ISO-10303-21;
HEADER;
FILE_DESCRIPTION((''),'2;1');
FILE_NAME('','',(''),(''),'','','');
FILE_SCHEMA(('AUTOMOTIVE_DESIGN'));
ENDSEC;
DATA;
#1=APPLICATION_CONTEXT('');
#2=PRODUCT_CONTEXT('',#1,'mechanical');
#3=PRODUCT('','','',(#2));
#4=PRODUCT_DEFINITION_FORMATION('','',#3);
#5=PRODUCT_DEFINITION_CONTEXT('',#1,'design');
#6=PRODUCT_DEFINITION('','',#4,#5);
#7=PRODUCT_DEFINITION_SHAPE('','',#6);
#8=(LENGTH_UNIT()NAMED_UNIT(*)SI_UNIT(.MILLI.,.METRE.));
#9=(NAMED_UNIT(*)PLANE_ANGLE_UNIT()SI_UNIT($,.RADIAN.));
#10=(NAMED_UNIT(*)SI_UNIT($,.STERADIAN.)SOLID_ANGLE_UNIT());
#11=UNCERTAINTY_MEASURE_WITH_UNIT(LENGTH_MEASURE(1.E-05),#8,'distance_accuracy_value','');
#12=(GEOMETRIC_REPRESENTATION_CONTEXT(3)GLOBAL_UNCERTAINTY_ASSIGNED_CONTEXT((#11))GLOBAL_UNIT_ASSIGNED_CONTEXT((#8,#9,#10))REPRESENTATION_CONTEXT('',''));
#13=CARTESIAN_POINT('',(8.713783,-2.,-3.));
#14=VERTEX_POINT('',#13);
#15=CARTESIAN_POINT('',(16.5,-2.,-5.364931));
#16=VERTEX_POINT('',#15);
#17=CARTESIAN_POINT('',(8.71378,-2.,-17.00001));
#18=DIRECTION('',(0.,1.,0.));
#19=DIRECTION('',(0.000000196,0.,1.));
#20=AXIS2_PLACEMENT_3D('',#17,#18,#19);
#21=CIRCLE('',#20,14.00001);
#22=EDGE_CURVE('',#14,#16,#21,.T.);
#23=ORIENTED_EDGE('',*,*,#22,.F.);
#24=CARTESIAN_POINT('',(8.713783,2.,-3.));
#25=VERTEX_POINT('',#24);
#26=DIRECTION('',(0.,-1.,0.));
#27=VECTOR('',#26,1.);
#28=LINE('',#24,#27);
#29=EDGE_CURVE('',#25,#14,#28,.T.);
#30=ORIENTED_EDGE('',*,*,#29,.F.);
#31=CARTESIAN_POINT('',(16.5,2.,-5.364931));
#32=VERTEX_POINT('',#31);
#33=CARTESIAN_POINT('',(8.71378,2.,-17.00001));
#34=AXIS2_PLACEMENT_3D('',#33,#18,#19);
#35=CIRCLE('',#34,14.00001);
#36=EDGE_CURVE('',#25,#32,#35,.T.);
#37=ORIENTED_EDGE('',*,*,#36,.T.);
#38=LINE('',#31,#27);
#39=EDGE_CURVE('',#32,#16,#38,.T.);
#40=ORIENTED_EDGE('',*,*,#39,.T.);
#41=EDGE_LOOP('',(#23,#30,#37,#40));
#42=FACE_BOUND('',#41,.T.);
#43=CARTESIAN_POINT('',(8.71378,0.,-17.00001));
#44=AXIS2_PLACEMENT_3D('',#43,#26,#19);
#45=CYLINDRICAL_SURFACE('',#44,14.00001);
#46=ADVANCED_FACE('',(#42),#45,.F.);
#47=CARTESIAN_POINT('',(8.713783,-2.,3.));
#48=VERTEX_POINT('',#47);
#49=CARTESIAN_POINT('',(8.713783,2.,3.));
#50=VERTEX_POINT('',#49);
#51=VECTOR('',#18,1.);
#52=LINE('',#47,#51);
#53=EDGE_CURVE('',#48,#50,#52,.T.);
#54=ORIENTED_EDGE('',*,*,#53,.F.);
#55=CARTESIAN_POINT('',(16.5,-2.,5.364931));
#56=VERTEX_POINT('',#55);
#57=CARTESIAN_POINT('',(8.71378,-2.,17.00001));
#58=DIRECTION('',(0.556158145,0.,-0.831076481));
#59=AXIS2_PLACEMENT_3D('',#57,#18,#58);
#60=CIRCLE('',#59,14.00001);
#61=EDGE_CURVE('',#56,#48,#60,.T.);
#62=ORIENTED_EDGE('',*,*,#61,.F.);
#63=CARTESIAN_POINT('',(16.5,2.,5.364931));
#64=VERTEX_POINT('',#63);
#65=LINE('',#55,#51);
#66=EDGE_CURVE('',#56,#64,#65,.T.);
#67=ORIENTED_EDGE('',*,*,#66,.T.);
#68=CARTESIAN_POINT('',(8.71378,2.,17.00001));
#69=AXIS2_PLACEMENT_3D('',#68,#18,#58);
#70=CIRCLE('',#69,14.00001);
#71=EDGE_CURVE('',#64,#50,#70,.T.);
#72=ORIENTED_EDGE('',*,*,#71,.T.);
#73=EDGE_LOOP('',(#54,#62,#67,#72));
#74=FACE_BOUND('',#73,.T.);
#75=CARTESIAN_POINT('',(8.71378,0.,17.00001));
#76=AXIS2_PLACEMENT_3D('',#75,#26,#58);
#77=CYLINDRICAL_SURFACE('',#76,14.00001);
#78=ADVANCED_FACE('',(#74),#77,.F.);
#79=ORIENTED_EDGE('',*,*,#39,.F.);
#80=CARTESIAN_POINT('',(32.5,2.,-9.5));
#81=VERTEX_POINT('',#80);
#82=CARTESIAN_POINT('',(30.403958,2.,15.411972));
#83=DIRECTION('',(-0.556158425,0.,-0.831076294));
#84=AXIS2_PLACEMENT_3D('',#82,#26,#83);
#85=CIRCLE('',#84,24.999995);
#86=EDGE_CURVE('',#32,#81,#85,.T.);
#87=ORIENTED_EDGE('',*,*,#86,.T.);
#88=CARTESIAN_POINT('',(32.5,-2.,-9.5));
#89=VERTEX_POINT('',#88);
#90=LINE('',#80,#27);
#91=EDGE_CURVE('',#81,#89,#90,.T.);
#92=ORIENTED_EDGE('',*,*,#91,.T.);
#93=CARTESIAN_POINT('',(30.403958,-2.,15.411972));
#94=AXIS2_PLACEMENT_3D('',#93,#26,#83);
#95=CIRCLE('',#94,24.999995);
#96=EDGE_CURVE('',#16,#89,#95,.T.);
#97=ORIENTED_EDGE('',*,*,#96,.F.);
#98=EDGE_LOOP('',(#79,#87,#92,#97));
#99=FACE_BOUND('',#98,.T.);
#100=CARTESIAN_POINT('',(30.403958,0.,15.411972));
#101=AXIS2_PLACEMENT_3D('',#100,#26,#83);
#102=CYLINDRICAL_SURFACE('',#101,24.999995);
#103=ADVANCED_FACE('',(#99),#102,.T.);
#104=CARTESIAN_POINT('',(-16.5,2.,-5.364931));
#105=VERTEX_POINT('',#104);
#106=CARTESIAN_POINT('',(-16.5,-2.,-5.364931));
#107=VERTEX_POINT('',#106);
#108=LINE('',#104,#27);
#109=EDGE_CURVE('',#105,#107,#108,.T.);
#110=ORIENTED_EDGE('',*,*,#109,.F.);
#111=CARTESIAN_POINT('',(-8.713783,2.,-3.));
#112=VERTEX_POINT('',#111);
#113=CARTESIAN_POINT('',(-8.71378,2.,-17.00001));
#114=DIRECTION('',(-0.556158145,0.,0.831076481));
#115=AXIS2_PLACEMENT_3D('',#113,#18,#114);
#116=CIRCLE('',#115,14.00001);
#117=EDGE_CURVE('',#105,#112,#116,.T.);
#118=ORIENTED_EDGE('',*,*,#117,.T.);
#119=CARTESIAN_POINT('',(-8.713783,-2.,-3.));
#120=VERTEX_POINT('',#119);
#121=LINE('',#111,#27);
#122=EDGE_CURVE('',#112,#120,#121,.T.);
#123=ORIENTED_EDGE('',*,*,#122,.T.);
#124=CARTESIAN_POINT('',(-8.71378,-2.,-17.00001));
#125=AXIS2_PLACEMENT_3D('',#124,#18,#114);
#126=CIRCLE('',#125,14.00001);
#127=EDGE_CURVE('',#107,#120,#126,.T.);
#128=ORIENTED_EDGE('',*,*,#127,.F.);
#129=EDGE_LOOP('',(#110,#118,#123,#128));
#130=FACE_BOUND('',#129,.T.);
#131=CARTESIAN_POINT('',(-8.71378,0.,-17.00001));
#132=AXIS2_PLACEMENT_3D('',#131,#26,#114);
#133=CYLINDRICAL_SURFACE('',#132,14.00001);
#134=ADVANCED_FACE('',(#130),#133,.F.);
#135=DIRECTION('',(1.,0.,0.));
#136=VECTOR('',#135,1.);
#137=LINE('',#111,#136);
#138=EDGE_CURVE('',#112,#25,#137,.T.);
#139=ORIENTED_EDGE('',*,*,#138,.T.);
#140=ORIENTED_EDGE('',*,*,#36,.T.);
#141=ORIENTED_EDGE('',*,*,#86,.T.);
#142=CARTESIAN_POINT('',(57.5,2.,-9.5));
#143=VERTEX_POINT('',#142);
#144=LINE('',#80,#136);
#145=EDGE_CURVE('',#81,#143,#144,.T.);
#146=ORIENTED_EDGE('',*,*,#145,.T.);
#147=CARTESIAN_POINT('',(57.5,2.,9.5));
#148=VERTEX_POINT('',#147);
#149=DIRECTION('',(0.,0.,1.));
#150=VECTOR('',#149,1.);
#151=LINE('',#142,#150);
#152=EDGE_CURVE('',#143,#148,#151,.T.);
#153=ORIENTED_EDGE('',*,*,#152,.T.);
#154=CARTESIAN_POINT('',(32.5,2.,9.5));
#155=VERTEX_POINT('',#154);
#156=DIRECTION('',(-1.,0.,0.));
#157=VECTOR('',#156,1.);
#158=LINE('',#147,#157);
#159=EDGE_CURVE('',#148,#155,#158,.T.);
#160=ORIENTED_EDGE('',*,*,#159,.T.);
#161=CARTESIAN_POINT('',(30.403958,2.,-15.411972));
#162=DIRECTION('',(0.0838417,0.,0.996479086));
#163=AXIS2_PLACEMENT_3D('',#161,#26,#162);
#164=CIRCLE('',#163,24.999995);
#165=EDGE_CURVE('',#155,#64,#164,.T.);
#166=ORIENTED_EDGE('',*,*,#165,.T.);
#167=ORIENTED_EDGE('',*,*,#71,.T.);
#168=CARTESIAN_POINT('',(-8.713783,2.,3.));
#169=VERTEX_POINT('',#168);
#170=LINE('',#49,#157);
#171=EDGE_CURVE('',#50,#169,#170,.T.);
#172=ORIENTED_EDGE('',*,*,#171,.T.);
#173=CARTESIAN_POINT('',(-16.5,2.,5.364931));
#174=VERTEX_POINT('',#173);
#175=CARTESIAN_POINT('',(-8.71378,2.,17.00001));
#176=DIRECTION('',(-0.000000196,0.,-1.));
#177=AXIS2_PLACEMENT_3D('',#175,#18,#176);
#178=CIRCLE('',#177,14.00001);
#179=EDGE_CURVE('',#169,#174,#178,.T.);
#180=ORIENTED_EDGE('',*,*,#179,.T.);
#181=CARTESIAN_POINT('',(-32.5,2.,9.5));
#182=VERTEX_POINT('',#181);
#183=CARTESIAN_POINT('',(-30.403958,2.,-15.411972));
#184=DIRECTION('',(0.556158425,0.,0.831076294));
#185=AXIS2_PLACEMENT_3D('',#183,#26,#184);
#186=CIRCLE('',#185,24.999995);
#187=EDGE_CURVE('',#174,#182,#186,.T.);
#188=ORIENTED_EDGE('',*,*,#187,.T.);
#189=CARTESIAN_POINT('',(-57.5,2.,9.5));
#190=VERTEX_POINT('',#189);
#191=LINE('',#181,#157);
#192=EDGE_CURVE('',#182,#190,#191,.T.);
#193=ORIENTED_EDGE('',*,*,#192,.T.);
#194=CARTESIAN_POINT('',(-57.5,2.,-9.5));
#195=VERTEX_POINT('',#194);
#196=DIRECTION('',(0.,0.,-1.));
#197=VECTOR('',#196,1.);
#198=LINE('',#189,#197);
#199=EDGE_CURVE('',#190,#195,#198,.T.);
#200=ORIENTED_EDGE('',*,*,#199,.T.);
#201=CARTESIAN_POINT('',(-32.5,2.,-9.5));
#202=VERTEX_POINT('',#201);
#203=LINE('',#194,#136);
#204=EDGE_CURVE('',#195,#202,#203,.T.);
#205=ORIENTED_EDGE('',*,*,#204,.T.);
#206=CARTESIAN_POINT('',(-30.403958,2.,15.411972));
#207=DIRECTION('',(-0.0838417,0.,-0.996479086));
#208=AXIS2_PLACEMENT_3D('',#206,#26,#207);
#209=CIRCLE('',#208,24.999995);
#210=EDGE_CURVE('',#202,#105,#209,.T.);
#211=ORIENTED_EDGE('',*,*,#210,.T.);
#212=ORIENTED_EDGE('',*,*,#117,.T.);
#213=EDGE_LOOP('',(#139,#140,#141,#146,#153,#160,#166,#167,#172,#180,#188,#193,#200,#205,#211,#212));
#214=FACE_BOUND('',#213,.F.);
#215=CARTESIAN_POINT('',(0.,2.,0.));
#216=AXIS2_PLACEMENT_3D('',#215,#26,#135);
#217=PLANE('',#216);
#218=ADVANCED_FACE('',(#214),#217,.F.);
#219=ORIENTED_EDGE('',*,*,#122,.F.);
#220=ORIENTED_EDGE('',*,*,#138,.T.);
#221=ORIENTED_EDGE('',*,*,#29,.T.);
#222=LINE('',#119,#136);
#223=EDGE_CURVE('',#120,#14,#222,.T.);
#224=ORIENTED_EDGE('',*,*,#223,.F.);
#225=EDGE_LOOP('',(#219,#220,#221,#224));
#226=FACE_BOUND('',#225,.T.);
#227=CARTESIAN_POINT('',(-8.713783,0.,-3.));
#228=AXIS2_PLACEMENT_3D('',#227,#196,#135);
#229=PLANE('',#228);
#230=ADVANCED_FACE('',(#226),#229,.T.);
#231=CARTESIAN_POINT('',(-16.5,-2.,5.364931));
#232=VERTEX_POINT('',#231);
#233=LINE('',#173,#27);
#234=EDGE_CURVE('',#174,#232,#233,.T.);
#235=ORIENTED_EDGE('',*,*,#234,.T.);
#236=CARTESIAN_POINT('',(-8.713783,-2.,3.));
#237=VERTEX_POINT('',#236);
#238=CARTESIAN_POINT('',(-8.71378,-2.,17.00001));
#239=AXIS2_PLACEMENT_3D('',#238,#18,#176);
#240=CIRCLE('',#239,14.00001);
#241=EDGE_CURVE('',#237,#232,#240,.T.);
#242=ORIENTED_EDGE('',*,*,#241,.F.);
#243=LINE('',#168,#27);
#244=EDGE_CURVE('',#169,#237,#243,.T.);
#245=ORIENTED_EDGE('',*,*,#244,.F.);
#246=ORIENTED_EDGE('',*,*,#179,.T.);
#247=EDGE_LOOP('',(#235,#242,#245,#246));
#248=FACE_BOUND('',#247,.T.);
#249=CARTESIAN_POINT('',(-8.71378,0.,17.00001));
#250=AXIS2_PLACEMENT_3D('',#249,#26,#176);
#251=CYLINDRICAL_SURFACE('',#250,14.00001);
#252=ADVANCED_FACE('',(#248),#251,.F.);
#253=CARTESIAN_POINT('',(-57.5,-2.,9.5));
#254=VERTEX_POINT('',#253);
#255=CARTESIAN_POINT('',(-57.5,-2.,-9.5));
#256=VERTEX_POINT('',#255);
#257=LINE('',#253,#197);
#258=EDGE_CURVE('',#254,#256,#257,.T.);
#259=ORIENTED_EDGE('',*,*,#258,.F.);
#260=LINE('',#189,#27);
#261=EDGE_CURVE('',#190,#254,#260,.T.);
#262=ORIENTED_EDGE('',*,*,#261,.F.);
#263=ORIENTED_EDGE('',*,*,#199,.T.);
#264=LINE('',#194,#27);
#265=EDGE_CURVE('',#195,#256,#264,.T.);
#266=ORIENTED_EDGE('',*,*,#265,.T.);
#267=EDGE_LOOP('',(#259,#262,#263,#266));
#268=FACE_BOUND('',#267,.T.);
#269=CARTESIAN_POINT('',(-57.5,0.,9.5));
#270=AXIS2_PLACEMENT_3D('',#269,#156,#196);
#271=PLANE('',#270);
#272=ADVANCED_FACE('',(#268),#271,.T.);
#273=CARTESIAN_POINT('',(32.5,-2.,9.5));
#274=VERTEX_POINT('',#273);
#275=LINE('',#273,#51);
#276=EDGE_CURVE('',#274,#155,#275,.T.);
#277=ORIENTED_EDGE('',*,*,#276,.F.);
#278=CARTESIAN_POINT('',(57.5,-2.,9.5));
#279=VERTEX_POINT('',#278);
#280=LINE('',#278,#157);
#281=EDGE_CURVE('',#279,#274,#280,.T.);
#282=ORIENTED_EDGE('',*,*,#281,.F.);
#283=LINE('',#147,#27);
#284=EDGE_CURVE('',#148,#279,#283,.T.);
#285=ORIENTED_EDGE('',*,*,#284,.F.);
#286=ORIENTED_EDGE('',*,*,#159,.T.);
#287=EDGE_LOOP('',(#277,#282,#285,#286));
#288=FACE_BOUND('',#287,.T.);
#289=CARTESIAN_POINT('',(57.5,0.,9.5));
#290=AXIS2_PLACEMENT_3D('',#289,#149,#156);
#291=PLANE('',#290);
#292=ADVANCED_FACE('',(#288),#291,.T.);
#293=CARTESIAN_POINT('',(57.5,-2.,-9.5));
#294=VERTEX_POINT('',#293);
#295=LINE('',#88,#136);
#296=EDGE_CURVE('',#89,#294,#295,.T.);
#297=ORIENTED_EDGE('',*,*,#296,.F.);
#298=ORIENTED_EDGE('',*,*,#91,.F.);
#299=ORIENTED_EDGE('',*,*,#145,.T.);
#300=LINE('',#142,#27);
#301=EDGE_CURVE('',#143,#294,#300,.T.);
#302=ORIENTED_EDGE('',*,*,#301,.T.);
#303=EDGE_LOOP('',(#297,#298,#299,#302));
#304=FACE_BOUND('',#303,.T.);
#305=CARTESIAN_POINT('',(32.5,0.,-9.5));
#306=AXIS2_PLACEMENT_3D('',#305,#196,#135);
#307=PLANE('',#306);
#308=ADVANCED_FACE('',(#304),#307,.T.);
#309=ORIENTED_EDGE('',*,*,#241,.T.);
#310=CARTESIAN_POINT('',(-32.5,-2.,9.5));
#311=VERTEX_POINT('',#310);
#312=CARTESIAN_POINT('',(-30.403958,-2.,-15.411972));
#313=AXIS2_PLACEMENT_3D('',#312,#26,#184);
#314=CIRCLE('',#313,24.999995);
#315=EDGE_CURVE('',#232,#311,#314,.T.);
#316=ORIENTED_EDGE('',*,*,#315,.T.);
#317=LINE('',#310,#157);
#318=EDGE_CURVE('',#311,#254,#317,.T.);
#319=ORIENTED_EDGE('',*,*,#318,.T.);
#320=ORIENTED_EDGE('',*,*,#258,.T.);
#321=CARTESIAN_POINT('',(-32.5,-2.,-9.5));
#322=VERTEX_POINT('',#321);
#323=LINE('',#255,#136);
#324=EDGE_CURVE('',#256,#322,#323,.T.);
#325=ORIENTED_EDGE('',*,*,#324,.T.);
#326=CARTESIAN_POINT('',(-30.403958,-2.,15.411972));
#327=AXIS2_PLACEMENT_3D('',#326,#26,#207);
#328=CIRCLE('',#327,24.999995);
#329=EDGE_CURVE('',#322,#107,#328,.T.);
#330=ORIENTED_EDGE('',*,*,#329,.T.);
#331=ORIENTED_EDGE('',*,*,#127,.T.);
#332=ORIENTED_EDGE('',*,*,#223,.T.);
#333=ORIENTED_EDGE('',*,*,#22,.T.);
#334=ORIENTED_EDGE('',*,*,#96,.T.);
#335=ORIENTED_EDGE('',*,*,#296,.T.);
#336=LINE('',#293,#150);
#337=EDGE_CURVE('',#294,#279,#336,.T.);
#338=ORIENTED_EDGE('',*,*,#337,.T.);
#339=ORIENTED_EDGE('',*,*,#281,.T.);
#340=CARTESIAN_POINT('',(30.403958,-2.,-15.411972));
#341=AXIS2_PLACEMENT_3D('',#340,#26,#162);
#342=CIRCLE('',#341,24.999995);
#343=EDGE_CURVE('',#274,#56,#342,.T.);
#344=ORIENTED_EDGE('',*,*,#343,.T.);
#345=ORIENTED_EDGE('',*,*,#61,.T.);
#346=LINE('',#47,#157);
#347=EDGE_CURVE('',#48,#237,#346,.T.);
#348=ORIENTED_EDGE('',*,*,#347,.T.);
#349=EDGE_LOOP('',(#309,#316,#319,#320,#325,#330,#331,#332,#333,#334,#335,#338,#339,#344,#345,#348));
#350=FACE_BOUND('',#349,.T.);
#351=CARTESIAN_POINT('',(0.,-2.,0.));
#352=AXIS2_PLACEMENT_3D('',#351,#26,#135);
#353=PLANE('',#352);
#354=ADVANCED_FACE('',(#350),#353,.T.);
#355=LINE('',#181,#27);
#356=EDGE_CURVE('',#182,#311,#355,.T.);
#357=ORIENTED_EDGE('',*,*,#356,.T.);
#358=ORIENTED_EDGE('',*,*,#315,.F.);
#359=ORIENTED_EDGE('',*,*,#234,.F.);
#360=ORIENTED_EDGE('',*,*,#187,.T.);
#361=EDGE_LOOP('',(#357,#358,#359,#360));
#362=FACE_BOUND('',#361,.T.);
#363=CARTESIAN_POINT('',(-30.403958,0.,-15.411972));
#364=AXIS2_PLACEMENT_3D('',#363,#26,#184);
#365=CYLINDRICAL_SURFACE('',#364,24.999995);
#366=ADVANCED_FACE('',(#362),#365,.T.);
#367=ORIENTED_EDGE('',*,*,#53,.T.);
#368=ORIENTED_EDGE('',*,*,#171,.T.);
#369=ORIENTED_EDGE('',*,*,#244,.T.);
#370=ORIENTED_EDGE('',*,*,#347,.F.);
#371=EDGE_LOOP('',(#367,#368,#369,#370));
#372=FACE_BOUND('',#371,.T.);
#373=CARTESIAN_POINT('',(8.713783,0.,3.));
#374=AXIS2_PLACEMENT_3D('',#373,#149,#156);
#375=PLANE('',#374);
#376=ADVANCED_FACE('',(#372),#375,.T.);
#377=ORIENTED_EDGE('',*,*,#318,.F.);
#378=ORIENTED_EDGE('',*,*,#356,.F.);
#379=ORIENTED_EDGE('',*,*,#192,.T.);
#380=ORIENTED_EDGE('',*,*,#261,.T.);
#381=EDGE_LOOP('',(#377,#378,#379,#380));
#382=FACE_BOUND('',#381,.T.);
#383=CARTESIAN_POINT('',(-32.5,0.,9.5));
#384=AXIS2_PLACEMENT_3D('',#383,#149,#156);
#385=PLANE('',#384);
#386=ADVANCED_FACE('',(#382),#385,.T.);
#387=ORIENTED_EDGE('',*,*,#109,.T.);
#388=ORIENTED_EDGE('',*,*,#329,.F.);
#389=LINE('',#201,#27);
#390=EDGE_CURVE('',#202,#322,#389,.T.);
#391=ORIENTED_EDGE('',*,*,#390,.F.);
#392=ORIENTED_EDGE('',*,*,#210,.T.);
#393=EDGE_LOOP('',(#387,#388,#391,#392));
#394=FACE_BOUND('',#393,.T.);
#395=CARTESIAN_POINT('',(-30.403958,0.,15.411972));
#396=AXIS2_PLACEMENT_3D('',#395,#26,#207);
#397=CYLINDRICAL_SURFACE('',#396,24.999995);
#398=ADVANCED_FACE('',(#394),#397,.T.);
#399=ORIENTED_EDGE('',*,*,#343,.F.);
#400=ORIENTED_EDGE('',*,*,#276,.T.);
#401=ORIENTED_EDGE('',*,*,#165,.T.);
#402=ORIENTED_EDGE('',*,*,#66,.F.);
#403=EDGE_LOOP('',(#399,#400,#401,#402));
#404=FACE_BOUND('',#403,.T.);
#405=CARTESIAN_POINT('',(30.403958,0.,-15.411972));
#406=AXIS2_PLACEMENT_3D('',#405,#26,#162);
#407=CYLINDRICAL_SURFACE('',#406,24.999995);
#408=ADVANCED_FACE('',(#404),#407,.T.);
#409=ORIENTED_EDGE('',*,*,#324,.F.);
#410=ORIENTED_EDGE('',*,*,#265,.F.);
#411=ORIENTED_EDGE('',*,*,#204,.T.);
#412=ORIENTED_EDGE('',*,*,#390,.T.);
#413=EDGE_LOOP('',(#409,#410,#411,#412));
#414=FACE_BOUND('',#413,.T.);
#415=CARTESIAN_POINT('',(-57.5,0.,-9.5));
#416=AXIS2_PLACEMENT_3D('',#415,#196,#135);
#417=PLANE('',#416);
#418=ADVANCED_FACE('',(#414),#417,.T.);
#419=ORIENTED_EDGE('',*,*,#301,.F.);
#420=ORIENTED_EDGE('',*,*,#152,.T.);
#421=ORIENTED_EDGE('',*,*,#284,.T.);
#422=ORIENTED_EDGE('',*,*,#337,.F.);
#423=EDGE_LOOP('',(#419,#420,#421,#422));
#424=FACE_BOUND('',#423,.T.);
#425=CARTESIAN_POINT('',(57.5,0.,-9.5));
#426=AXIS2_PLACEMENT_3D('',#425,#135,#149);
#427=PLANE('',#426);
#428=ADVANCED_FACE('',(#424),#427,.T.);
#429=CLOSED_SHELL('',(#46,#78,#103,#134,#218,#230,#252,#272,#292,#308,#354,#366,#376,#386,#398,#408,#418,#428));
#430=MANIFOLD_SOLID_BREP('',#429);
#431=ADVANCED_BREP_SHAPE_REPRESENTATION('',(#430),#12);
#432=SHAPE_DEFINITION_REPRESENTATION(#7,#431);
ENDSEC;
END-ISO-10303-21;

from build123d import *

# Parameters (mm, degrees)
F1_DEPTH = 2


with BuildPart() as f1:
    # F0 (on Front) → F1 (new body, symmetric)
    with BuildSketch(Plane.XZ):
        with BuildLine():
            Line((8.713783, 3), (0, 3))
            Line((0, 3), (-8.713783, 3))
            ThreePointArc((-8.713783, 3), (-12.782507, 3.604274), (-16.5, 5.364931))
            ThreePointArc((-16.5, 5.364931), (-24.148447, 8.792745), (-32.5, 9.5))
            Line((-32.5, 9.5), (-57.5, 9.5))
            Line((-57.5, 9.5), (-57.5, -9.5))
            Line((-57.5, -9.5), (-32.5, -9.5))
            ThreePointArc((-32.5, -9.5), (-24.148447, -8.792745), (-16.5, -5.364931))
            ThreePointArc((-16.5, -5.364931), (-12.782507, -3.604274), (-8.713783, -3))
            Line((-8.713783, -3), (0, -3))
            Line((0, -3), (8.713783, -3))
            ThreePointArc((8.713783, -3), (12.782507, -3.604274), (16.5, -5.364931))
            ThreePointArc((16.5, -5.364931), (24.148447, -8.792745), (32.5, -9.5))
            Line((32.5, -9.5), (57.5, -9.5))
            Line((57.5, -9.5), (57.5, 9.5))
            Line((57.5, 9.5), (32.5, 9.5))
            ThreePointArc((32.5, 9.5), (24.148447, 8.792745), (16.5, 5.364931))
            ThreePointArc((16.5, 5.364931), (12.782507, 3.604274), (8.713783, 3))
        make_face()
    extrude(amount=F1_DEPTH, both=True)


solid = f1.part
